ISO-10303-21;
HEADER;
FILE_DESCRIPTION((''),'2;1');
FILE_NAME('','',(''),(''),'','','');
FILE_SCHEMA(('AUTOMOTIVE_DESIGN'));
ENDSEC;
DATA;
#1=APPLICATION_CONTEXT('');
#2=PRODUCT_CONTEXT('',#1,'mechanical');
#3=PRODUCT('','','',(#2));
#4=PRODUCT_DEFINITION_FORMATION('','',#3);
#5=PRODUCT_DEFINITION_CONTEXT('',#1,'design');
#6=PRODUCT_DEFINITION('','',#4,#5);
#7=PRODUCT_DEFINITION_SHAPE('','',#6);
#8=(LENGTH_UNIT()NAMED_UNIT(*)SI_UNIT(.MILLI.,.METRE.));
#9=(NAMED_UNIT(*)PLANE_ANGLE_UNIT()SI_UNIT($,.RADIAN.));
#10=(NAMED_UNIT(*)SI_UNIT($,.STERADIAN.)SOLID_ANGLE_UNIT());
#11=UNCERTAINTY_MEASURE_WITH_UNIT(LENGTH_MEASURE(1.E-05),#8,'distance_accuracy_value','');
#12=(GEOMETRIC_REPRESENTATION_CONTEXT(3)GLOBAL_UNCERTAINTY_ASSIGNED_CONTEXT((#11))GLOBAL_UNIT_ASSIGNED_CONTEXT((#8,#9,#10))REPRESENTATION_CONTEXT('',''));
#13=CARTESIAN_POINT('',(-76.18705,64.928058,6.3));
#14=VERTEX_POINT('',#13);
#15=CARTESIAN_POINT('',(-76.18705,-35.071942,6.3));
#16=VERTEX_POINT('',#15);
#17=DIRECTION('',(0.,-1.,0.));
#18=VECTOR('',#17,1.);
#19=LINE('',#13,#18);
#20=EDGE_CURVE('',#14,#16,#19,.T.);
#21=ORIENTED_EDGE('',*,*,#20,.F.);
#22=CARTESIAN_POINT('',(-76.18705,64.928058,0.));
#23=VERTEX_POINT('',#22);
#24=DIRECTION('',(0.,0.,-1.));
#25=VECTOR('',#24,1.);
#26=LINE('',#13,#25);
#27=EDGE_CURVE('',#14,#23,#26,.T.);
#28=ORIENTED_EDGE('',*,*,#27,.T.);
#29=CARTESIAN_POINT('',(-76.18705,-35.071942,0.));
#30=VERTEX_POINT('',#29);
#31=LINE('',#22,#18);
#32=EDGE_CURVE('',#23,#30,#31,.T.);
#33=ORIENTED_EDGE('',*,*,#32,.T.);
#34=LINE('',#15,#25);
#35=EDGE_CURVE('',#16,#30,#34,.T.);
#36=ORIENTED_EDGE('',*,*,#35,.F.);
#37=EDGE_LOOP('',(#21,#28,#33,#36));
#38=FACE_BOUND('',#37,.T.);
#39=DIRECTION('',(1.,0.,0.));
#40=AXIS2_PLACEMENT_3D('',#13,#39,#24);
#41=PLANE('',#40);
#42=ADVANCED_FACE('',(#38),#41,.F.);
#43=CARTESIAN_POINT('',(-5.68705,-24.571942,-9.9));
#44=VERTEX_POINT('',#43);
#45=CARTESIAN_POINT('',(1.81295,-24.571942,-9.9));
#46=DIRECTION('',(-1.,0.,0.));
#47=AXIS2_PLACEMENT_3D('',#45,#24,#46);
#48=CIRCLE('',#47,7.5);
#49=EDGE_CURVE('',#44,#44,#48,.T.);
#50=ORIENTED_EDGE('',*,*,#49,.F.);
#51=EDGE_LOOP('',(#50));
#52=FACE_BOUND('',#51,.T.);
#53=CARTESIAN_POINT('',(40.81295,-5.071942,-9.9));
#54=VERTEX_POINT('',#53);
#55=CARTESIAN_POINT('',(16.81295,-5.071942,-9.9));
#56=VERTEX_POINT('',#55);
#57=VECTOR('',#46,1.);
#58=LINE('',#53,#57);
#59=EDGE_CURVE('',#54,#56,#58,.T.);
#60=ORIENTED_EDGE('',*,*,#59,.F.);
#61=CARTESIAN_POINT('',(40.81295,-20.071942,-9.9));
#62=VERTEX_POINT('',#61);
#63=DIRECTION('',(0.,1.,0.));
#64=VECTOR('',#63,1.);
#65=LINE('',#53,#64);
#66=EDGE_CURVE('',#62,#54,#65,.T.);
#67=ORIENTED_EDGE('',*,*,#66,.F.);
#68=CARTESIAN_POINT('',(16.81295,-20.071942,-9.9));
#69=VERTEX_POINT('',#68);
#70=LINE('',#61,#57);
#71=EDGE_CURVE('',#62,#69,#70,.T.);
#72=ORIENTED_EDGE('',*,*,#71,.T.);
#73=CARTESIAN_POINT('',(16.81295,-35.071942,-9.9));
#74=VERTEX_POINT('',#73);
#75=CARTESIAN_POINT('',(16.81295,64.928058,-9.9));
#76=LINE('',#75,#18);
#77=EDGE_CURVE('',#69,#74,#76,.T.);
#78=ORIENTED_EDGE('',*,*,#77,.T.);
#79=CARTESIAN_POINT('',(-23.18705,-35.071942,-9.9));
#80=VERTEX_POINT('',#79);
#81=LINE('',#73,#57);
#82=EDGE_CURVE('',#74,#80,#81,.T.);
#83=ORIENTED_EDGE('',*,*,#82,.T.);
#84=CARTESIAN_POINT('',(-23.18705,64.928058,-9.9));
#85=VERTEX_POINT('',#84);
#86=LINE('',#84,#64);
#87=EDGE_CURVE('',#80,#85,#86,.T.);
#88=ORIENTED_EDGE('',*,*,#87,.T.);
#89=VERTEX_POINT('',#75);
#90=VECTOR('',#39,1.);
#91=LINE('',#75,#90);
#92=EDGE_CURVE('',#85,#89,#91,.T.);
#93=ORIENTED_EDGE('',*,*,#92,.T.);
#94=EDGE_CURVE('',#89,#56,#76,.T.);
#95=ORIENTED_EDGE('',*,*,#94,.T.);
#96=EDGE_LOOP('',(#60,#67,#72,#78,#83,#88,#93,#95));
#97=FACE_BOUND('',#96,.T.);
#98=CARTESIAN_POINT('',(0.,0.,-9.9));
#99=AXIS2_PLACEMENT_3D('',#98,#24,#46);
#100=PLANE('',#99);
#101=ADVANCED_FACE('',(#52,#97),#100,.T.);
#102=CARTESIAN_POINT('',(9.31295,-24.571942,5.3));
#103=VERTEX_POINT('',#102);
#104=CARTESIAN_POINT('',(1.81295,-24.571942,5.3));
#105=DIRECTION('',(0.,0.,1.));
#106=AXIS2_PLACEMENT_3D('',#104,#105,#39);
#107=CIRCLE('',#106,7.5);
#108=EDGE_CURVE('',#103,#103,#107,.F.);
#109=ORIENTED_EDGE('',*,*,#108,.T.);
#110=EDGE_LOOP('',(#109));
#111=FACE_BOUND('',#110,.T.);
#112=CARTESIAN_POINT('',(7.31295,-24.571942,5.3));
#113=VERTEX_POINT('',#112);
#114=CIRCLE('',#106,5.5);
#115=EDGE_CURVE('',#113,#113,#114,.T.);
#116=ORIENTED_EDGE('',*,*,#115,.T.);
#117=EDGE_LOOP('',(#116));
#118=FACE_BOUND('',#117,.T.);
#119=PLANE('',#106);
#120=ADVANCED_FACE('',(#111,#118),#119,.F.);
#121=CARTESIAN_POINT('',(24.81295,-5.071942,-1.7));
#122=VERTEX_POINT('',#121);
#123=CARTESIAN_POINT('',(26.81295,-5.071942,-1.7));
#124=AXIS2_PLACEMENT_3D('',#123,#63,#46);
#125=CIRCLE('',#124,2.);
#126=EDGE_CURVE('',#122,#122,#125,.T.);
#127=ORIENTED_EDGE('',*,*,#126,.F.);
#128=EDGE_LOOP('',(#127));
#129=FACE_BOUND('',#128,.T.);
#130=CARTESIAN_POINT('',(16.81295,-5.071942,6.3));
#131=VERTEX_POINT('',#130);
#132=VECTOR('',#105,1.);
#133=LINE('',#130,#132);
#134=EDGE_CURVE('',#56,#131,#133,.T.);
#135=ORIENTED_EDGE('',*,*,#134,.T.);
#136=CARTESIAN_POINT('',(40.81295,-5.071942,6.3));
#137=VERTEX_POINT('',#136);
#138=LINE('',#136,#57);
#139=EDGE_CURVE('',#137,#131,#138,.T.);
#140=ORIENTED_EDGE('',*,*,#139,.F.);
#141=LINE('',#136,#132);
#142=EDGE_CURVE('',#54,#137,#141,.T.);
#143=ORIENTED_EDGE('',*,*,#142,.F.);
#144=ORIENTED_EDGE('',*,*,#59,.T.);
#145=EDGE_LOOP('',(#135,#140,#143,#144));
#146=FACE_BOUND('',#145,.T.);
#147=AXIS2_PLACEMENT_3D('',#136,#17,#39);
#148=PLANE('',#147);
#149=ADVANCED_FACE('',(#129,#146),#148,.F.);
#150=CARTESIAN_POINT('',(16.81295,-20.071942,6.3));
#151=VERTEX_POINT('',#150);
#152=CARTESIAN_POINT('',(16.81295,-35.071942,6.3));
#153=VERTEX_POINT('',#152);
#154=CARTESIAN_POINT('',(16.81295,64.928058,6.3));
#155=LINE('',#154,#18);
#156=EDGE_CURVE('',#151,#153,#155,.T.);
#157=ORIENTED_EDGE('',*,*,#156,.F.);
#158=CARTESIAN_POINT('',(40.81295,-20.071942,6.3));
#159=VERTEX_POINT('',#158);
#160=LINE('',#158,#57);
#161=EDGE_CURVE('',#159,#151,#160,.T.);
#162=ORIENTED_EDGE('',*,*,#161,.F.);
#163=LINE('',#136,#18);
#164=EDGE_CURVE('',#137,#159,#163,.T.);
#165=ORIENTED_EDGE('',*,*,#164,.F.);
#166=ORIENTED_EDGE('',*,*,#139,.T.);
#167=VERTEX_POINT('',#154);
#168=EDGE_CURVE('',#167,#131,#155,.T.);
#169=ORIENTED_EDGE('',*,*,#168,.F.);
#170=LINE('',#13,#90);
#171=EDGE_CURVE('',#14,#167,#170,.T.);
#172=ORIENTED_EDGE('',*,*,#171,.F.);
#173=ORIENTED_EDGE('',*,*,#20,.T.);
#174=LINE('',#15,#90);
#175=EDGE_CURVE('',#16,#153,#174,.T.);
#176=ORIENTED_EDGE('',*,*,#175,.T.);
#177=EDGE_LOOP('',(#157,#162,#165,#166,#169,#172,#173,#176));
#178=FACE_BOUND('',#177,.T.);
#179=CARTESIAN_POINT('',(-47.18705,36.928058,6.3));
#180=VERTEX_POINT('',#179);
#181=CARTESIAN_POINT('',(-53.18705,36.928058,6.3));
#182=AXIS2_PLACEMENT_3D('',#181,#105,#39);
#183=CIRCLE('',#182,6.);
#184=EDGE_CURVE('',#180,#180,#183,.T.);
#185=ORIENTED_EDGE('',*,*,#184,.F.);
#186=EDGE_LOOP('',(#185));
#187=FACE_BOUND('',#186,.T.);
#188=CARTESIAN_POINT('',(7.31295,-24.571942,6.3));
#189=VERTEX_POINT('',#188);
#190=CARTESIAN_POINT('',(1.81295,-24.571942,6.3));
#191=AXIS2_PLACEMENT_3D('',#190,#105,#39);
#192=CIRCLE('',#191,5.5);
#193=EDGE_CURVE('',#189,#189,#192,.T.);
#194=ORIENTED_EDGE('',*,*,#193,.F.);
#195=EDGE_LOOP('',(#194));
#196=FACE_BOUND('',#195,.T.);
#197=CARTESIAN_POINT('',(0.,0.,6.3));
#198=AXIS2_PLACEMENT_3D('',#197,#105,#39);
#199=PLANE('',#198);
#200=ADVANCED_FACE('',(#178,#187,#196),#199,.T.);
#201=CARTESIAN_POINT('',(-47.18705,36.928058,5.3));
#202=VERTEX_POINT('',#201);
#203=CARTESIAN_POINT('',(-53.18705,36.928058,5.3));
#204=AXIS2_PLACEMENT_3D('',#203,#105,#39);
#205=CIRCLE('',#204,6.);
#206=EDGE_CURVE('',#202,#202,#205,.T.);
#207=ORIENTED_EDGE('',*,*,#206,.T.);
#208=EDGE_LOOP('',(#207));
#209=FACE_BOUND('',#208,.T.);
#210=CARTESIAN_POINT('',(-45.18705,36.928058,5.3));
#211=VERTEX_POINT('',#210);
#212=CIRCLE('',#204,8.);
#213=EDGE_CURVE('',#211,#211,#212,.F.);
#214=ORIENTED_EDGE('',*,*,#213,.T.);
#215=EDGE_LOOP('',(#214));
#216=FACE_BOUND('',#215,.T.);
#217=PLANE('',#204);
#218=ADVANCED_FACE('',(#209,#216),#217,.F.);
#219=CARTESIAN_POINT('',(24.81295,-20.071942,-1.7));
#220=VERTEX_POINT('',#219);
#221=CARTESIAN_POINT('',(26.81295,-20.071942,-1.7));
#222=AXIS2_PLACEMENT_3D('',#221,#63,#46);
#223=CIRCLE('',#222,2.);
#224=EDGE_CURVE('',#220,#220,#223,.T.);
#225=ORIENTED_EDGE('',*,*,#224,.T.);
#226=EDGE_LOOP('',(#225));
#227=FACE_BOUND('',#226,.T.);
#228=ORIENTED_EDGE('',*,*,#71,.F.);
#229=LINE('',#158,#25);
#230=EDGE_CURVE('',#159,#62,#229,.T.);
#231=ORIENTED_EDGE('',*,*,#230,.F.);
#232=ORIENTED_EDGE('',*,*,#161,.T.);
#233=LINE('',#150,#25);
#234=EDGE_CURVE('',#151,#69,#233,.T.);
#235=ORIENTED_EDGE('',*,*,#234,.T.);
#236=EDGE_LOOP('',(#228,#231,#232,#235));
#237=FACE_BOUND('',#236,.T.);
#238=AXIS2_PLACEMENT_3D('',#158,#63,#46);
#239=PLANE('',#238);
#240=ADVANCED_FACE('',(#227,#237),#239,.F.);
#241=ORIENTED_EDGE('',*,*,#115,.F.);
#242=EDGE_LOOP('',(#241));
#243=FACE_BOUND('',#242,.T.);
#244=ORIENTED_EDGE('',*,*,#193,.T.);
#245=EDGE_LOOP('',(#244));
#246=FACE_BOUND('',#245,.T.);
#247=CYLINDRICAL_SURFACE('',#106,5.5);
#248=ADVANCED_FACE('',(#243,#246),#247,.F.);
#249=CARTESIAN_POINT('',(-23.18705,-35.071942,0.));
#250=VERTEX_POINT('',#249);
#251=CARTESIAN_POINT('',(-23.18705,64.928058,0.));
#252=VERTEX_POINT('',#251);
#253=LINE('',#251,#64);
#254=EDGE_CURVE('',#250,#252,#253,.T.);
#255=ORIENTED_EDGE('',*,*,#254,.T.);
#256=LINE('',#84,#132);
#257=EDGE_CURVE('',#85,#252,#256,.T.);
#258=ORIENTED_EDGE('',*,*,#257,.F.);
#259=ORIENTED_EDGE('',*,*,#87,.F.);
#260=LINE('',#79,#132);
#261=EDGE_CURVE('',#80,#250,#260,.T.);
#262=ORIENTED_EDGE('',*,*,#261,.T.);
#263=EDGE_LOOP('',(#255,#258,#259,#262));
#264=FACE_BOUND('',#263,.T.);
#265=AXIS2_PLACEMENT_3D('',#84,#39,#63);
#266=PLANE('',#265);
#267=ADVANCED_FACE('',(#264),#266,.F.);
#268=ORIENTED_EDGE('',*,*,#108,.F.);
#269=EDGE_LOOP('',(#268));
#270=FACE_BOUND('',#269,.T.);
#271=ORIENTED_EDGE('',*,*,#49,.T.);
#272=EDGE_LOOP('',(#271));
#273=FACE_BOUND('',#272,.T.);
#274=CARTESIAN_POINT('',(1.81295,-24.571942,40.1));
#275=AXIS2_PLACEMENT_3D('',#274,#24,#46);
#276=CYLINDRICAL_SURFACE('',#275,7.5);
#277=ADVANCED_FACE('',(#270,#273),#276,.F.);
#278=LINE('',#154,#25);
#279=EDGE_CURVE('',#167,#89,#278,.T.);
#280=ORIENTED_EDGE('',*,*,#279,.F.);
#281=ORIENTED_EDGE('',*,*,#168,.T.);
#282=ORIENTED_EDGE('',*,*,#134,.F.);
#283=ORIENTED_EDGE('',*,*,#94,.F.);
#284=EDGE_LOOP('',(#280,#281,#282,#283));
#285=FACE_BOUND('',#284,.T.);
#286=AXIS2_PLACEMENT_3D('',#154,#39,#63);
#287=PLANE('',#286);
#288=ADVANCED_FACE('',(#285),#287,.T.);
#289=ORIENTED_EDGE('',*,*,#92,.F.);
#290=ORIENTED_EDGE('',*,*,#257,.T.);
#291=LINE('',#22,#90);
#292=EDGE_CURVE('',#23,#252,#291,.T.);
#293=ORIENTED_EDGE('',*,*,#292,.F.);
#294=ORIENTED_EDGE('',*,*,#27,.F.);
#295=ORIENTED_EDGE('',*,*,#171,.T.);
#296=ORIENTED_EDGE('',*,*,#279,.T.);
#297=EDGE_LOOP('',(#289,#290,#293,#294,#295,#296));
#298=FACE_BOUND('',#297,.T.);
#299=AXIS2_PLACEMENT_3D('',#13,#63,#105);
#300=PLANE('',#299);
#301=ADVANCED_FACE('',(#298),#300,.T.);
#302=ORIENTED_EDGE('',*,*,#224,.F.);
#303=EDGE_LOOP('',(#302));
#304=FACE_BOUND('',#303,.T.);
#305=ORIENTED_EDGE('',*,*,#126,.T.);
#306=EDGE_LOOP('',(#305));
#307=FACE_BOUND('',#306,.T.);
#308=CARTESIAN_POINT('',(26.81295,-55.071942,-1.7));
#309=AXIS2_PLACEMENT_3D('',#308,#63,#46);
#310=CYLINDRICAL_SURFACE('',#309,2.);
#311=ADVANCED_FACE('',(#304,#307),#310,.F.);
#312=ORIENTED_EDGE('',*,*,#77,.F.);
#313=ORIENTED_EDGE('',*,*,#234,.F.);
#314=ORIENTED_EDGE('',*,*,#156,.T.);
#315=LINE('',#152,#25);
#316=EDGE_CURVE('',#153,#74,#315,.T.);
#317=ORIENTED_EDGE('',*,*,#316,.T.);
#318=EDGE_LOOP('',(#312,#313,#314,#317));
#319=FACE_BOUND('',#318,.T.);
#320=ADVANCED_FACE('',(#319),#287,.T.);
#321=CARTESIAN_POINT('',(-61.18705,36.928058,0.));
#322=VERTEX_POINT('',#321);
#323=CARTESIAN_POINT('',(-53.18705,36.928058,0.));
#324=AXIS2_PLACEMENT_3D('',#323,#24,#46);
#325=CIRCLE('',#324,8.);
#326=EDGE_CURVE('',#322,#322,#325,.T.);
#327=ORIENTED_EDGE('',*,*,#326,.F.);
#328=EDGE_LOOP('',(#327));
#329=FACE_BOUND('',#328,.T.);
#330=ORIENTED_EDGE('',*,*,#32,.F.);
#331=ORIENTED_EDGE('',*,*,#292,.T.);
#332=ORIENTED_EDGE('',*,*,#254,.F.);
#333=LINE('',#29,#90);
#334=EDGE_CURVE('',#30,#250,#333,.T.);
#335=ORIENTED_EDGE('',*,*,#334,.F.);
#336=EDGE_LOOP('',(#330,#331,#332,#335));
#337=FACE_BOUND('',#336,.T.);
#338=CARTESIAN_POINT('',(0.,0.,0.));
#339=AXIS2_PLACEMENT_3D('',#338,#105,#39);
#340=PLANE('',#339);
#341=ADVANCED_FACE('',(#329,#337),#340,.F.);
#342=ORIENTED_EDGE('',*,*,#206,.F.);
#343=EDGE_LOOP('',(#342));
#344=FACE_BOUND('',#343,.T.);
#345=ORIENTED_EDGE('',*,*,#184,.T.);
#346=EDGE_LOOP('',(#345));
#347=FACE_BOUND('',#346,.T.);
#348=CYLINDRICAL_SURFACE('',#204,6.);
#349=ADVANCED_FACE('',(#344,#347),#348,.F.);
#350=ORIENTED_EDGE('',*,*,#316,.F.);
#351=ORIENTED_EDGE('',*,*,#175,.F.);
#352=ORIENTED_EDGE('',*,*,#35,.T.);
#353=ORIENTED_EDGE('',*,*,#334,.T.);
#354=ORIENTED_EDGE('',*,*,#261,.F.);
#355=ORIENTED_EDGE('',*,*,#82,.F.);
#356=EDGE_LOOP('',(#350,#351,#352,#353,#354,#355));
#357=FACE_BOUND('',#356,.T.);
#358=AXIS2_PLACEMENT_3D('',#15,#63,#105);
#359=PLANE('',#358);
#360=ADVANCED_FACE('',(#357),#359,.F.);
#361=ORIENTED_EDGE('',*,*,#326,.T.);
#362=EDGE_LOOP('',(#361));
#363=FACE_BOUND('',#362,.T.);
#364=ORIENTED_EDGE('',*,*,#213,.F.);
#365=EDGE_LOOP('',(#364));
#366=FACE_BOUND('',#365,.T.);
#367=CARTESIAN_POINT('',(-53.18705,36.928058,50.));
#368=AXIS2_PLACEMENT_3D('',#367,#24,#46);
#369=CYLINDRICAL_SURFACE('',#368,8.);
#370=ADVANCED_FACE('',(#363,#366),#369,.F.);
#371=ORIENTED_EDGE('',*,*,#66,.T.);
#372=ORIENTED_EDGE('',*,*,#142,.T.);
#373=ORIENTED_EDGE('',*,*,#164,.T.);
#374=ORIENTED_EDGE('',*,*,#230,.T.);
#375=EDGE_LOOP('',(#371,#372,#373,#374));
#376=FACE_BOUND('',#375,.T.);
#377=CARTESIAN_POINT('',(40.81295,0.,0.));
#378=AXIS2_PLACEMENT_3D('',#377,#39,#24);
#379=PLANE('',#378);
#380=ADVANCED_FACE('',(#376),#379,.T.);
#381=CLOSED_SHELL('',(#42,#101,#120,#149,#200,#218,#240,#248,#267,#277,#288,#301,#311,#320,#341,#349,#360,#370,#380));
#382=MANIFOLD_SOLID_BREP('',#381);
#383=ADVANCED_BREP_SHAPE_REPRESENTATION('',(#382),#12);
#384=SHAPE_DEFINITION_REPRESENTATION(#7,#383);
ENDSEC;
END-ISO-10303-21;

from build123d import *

# Parameters (mm, degrees)
SKETCH1_W           = 93
SKETCH1_H           = 100
BOSS_EXTRUDE2_DEPTH = 6.3
SKETCH3_W           = 40
SKETCH3_H           = 100
BOSS_EXTRUDE3_DEPTH = 9.9
SKETCH4_W           = 16.2
SKETCH4_H           = 15
BOSS_EXTRUDE4_DEPTH = 24
SKETCH5_R           = 2
CUT_EXTRUDE1_DEPTH  = 50
SKETCH6_R           = 7.5
CUT_EXTRUDE2_DEPTH  = 50
SKETCH7_R           = 8
CUT_EXTRUDE3_DEPTH  = 50
EXTRUDE_THIN1_START = -5.3
SKETCH7_2_R         = 8
SKETCH7_2_R_2       = 6
EXTRUDE_THIN1_DEPTH = 1
EXTRUDE_THIN2_START = -15.2
SKETCH6_2_R         = 7.5
SKETCH6_2_R_2       = 5.5
EXTRUDE_THIN2_DEPTH = 1


with BuildPart() as part:
    # Sketch1 → Boss-Extrude2 (new body)
    with BuildSketch(Plane.XY):
        with Locations((-29.68705036, 14.928057554)):
            Rectangle(SKETCH1_W, SKETCH1_H)
    extrude(amount=BOSS_EXTRUDE2_DEPTH)

    # Sketch3 → Boss-Extrude3 (add)
    with BuildSketch(Plane(origin=(0, 0, 0), x_dir=(-1, 0, 0), z_dir=(0, 0, -1))):
        with Locations((3.18705036, 14.928057554)):
            Rectangle(SKETCH3_W, SKETCH3_H)
    extrude(amount=BOSS_EXTRUDE3_DEPTH)

    # Sketch4 → Boss-Extrude4 (add)
    with BuildSketch(Plane(origin=(16.81294964, 0, 0), x_dir=(0, 0, -1), z_dir=(1, 0, 0))):
        with Locations((1.8, -12.571942446)):
            Rectangle(SKETCH4_W, SKETCH4_H)
    extrude(amount=BOSS_EXTRUDE4_DEPTH)

    # Sketch5 → Cut-Extrude1 (cut)
    with BuildSketch(Plane(origin=(0, -5.071942446, 0), x_dir=(1, 0, 0), z_dir=(0, 1, 0))):
        with Locations(Location((26.81294964, 1.7, 0), (0, 0, 180))):
            Circle(SKETCH5_R)
    extrude(amount=-CUT_EXTRUDE1_DEPTH, mode=Mode.SUBTRACT)

    # Sketch6 → Cut-Extrude2 (cut)
    with BuildSketch(Plane(origin=(0, 0, -9.9), x_dir=(-1, 0, 0), z_dir=(0, 0, -1))):
        with Locations((-1.81294964, -24.571942446)):
            Circle(SKETCH6_R)
    extrude(amount=-CUT_EXTRUDE2_DEPTH, mode=Mode.SUBTRACT)

    # Sketch7 → Cut-Extrude3 (cut)
    with BuildSketch(Plane(origin=(0, 0, 0), x_dir=(-1, 0, 0), z_dir=(0, 0, -1))):
        with Locations((53.18705036, 36.928057554)):
            Circle(SKETCH7_R)
    extrude(amount=-CUT_EXTRUDE3_DEPTH, mode=Mode.SUBTRACT)

    # Sketch7<2> → Extrude-Thin1 (add)
    with BuildSketch(Plane(origin=(0, 0, 0), x_dir=(-1, 0, 0), z_dir=(0, 0, -1)).offset(EXTRUDE_THIN1_START)):
        with Locations((53.18705036, 36.928057554)):
            Circle(SKETCH7_2_R)
        with Locations((53.18705036, 36.928057554)):
            Circle(SKETCH7_2_R_2, mode=Mode.SUBTRACT)
    extrude(amount=-EXTRUDE_THIN1_DEPTH)

    # Sketch6<2> → Extrude-Thin2 (add)
    with BuildSketch(Plane(origin=(0, 0, -9.9), x_dir=(-1, 0, 0), z_dir=(0, 0, -1)).offset(EXTRUDE_THIN2_START)):
        with Locations((-1.81294964, -24.571942446)):
            Circle(SKETCH6_2_R)
        with Locations((-1.81294964, -24.571942446)):
            Circle(SKETCH6_2_R_2, mode=Mode.SUBTRACT)
    extrude(amount=-EXTRUDE_THIN2_DEPTH)


solid = part.part
